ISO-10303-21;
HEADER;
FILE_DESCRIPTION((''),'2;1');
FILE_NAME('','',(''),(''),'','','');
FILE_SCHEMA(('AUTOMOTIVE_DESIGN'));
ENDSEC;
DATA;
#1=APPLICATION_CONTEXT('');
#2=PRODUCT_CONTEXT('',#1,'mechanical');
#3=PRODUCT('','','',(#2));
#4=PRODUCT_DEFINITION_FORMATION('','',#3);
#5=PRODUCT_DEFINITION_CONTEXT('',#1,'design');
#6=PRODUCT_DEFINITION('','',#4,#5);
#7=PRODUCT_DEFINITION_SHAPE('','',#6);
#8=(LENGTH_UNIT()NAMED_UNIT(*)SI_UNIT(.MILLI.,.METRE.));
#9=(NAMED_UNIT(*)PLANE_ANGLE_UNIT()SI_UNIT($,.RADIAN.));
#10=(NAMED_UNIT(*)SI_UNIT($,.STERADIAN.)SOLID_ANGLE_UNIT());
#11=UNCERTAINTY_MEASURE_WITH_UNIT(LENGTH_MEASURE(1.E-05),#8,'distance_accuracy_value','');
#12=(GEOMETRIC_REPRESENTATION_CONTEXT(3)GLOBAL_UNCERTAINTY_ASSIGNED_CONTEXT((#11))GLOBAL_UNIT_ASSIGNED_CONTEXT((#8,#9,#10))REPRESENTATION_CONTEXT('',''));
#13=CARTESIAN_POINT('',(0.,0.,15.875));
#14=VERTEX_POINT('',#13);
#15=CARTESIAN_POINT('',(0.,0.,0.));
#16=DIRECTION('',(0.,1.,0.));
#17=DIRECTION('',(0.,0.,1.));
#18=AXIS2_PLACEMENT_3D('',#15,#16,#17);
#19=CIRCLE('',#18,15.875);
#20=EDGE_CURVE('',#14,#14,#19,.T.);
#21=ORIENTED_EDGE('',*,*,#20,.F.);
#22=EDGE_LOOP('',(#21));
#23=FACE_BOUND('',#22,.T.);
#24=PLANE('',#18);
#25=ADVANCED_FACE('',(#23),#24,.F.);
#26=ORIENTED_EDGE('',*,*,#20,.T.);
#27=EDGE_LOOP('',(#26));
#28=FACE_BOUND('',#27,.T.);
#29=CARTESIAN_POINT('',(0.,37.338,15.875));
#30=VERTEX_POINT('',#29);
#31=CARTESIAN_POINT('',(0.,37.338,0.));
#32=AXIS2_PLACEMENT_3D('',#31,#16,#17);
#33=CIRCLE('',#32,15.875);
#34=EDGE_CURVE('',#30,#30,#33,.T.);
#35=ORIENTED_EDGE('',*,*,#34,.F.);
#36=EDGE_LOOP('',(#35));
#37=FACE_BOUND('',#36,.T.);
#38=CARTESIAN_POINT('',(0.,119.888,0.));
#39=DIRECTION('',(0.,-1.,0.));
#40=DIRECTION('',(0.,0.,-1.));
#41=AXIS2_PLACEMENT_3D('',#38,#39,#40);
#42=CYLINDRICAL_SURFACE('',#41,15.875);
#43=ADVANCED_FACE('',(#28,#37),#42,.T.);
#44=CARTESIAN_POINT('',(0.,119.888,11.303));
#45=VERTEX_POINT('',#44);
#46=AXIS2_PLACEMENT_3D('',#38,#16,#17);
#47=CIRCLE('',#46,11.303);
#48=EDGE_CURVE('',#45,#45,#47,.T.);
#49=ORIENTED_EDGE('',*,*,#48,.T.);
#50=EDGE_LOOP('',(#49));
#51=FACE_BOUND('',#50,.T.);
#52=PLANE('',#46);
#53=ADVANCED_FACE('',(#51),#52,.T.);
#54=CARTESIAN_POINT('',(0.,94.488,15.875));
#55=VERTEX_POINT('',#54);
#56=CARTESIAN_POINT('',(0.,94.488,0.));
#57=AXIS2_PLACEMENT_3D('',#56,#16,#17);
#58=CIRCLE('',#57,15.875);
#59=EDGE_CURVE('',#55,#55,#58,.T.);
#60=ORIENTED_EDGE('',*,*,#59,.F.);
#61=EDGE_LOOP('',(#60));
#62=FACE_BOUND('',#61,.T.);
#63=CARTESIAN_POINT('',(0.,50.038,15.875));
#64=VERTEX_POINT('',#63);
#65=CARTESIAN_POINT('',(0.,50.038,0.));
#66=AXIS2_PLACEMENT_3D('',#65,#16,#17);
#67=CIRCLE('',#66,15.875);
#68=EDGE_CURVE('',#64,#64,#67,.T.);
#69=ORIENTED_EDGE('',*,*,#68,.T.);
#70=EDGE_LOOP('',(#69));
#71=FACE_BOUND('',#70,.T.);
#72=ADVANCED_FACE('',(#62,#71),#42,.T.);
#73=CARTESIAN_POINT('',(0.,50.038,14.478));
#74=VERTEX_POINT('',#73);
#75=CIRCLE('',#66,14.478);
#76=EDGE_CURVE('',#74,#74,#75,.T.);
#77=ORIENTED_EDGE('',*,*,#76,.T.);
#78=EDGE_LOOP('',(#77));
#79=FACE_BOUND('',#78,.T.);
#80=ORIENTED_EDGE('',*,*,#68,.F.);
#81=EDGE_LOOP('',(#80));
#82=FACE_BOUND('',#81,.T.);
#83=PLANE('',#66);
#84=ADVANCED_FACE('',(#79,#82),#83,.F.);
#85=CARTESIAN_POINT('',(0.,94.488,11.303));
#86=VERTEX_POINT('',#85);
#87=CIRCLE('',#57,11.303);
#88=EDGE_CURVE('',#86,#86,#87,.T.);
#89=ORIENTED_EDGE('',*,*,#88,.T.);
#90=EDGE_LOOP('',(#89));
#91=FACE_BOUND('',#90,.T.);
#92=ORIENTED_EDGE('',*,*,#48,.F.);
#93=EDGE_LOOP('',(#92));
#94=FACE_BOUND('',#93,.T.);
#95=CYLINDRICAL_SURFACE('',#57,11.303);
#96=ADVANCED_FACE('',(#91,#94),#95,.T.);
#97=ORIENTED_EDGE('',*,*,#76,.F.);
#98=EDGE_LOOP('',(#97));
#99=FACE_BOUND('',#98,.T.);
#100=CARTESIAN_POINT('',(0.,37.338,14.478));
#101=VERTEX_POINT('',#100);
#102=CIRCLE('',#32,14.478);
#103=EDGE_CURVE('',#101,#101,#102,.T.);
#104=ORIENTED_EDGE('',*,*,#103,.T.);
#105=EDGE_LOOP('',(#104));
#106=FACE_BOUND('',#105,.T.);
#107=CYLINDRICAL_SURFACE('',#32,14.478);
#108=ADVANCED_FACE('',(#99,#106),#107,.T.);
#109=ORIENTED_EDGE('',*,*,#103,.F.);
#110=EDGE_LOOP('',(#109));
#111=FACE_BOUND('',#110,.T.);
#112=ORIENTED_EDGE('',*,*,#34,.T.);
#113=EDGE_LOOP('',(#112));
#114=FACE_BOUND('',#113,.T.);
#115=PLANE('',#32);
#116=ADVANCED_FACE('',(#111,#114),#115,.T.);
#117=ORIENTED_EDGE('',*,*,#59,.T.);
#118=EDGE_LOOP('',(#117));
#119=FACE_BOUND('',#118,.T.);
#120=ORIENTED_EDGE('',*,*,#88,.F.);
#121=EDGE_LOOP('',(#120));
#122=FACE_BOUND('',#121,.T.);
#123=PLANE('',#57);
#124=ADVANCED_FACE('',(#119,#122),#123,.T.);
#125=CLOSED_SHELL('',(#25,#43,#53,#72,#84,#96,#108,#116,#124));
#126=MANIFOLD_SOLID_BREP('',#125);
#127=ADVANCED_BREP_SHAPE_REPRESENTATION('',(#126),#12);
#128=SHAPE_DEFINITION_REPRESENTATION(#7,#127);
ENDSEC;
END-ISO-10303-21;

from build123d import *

# Parameters (mm, degrees)
SKETCH1_R           = 15.875
BOSS_EXTRUDE1_DEPTH = 119.888
SKETCH2_R           = 15.875
SKETCH2_R_2         = 11.303
CUT_EXTRUDE1_DEPTH  = 25.4
CUT_EXTRUDE2_START  = -69.85
SKETCH3_R           = 15.875
SKETCH3_R_2         = 14.478
CUT_EXTRUDE2_DEPTH  = 12.7


with BuildPart() as part:
    # Sketch1 → Boss-Extrude1 (new body)
    with BuildSketch(Plane(origin=(0, 0, 0), x_dir=(1, 0, 0), z_dir=(0, 1, 0))):
        Circle(SKETCH1_R)
    extrude(amount=BOSS_EXTRUDE1_DEPTH)

    # Sketch2 → Cut-Extrude1 (cut)
    with BuildSketch(Plane(origin=(0, 119.888, 0), x_dir=(1, 0, 0), z_dir=(0, 1, 0))):
        Circle(SKETCH2_R)
        Circle(SKETCH2_R_2, mode=Mode.SUBTRACT)
    extrude(amount=-CUT_EXTRUDE1_DEPTH, mode=Mode.SUBTRACT)

    # Sketch3 → Cut-Extrude2 (cut)
    with BuildSketch(Plane(origin=(0, 119.888, 0), x_dir=(1, 0, 0), z_dir=(0, 1, 0)).offset(CUT_EXTRUDE2_START)):
        Circle(SKETCH3_R)
        Circle(SKETCH3_R_2, mode=Mode.SUBTRACT)
    extrude(amount=-CUT_EXTRUDE2_DEPTH, mode=Mode.SUBTRACT)


solid = part.part
